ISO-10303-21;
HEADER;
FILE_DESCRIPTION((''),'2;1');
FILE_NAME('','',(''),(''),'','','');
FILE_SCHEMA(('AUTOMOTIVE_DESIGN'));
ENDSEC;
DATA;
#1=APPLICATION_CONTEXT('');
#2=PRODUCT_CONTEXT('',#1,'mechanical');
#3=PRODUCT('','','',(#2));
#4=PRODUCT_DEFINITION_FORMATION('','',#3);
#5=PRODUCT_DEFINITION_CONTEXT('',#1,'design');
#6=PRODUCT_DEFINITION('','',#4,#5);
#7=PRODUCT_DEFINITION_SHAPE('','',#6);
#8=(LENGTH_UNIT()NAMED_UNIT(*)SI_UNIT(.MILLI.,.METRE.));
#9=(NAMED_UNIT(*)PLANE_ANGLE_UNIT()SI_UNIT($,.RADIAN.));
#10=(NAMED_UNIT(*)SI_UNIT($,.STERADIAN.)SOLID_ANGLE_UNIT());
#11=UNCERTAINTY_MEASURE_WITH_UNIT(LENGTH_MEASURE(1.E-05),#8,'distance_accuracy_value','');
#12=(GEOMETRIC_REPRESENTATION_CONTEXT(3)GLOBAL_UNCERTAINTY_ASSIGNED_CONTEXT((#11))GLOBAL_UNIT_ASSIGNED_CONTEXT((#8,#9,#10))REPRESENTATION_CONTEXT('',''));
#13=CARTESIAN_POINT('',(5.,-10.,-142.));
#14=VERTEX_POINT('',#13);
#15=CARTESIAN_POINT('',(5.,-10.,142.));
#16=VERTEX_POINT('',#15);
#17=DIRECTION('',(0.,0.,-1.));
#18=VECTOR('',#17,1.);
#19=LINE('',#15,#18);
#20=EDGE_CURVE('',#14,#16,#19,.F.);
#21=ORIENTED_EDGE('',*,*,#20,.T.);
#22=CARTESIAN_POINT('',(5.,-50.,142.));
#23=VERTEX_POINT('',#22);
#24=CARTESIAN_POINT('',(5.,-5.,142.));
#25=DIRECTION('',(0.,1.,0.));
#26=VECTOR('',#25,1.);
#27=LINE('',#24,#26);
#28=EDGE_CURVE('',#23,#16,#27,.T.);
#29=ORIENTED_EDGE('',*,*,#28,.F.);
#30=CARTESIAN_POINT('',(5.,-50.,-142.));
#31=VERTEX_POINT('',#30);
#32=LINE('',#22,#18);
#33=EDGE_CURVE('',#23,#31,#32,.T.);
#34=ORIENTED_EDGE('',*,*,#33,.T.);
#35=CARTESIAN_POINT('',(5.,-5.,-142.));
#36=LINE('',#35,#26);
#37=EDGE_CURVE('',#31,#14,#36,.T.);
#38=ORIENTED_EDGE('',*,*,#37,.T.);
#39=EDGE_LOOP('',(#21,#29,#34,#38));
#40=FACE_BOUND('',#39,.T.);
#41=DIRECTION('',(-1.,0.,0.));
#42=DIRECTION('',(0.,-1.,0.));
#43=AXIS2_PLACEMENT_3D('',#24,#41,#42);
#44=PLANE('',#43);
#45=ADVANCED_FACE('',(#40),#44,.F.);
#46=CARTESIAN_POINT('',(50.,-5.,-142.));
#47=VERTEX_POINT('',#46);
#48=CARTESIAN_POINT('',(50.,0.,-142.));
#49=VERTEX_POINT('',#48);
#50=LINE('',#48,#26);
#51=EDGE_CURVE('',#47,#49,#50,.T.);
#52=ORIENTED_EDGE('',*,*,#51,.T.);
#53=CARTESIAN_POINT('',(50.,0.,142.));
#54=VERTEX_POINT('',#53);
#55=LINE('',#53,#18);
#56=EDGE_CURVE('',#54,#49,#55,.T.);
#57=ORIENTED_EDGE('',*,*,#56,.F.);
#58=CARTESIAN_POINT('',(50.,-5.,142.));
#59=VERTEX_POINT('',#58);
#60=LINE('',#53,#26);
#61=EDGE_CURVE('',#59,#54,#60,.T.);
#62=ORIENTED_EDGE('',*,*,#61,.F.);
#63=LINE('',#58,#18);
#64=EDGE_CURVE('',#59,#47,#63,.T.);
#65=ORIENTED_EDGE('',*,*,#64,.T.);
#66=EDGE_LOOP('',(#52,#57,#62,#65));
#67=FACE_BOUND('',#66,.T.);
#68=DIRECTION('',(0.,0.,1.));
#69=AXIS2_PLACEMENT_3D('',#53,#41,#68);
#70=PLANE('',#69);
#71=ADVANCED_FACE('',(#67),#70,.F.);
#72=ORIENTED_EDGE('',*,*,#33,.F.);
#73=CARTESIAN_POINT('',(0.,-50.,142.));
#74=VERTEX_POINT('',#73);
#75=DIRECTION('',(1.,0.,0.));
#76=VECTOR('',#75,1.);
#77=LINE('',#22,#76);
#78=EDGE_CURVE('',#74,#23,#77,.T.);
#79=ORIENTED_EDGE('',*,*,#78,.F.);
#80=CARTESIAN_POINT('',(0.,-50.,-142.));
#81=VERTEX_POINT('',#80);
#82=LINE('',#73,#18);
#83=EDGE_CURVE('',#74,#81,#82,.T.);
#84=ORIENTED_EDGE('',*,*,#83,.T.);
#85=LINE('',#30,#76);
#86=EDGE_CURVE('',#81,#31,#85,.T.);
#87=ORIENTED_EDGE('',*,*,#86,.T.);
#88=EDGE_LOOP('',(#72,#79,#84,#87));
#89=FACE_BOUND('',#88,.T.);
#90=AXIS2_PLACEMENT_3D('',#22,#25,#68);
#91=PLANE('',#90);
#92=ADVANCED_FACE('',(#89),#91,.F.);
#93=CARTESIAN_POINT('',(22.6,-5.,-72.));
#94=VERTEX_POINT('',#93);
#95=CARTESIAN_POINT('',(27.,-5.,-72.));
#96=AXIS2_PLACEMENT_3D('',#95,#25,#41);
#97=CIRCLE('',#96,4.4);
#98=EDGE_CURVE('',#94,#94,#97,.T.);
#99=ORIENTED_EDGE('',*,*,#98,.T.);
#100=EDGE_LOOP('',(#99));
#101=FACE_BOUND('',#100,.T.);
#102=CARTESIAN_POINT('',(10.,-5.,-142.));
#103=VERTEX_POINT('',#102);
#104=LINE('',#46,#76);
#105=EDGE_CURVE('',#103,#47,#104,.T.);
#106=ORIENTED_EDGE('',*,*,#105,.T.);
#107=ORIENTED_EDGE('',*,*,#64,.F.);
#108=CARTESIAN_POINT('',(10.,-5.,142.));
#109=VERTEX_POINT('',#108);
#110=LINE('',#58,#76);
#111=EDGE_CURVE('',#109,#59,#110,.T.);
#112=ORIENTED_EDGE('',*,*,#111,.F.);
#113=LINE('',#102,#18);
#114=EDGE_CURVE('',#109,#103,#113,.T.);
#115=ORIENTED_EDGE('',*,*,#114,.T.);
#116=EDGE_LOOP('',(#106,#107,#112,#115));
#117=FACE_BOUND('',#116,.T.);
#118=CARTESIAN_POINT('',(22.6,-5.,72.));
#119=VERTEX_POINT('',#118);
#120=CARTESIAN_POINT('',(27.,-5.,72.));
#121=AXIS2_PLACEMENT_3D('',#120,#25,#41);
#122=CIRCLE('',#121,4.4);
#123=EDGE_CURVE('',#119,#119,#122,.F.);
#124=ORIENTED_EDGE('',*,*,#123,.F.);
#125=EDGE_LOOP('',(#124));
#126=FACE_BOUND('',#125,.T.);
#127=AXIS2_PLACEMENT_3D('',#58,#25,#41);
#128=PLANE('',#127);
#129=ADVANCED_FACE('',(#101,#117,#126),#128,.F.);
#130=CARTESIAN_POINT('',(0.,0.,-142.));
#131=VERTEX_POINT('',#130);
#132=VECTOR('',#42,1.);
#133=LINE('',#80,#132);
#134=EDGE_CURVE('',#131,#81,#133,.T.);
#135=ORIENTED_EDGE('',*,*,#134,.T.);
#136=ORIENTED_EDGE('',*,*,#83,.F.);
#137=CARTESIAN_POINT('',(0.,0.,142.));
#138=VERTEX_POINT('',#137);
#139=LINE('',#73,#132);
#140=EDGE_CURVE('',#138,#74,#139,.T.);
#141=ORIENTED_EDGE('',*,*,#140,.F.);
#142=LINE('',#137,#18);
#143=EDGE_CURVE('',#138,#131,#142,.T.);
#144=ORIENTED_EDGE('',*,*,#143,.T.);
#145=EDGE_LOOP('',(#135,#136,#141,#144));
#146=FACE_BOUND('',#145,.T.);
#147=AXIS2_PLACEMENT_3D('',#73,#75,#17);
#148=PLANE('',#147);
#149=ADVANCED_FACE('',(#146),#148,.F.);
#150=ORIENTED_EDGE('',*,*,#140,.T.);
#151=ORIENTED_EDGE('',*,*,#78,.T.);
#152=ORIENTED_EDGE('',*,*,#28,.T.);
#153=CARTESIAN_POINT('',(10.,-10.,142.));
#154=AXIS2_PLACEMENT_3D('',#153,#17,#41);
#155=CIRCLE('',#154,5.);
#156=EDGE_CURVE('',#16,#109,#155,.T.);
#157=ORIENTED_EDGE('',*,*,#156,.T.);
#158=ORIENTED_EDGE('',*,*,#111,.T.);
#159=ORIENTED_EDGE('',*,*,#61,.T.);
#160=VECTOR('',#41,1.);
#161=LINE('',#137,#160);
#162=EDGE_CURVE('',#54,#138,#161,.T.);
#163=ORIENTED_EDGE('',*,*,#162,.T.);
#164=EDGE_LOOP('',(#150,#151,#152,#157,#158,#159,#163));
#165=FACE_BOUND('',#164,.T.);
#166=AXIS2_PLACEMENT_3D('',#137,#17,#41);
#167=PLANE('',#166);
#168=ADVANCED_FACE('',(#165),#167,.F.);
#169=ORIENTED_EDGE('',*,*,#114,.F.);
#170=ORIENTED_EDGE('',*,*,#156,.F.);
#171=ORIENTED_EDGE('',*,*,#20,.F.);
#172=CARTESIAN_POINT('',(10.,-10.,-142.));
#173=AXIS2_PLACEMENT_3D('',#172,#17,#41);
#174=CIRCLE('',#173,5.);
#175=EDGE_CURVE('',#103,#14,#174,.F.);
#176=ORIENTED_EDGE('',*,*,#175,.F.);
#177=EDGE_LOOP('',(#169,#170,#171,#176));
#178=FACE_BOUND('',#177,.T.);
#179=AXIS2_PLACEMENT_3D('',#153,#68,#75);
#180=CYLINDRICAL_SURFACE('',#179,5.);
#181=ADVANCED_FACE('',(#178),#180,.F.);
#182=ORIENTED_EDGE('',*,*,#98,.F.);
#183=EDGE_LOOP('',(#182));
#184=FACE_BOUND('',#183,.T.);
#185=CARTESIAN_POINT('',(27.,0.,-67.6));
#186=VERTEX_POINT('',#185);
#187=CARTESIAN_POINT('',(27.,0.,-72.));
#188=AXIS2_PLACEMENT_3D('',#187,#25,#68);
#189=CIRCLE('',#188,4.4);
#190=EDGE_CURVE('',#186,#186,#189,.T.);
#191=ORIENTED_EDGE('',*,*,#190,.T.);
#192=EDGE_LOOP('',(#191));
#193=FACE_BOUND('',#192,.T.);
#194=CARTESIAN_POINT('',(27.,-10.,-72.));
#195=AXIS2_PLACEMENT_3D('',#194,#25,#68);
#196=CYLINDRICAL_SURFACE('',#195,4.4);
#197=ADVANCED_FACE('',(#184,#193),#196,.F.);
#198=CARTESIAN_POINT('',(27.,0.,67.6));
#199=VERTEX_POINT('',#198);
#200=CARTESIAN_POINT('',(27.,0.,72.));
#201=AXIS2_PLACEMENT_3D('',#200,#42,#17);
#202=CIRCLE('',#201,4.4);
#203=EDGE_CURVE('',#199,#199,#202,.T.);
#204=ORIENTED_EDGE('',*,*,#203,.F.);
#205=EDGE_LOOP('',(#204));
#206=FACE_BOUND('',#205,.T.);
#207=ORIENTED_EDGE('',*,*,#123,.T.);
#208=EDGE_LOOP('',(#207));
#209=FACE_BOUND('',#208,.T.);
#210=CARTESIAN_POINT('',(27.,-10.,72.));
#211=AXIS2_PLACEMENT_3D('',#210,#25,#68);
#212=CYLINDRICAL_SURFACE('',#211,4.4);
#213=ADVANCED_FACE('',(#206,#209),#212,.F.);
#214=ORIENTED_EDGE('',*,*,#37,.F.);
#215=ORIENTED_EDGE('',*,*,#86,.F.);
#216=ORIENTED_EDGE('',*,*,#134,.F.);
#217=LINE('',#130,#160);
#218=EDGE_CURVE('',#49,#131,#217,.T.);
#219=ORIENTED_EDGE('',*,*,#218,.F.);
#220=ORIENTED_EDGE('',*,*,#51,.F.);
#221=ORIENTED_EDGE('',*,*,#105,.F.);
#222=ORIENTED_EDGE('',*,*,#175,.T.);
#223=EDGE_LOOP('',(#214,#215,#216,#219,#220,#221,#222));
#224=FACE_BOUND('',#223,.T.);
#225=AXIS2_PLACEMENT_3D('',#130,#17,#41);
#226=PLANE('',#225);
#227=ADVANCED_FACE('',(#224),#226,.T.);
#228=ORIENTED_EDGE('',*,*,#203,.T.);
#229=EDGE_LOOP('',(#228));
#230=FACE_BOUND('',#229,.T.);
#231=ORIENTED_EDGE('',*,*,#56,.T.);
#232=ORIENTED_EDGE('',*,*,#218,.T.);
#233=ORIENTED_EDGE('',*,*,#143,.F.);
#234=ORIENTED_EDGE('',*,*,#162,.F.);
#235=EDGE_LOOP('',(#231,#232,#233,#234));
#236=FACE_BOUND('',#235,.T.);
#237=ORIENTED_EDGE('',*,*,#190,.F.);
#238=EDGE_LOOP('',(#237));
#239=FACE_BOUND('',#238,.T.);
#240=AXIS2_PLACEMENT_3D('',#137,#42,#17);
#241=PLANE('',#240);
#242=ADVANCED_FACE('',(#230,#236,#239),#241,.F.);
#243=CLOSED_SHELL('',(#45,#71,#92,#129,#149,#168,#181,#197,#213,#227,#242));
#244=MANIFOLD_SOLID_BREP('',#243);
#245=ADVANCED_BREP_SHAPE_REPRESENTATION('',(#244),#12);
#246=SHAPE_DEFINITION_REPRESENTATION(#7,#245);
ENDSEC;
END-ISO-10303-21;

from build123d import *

# Parameters (mm, degrees)
EXTRUDE_1_DEPTH     = 142
FILLET_1_R          = 5
SKETCH_2_R          = 4.4
CUT_EXTRUDE_1_DEPTH = 10


with BuildPart() as part:
    # Эскиз1 → Бобышка-Вытянуть1 (new, symmetric)
    with BuildSketch(Plane.XY):
        Polygon((0, 0), (50, 0), (50, -5), (5, -5), (5, -50), (0, -50), align=None)
    extrude(amount=EXTRUDE_1_DEPTH, both=True)

    # Скругление1
    fillet_1_edges = [part.edges().sort_by_distance(p)[0] for p in [
        (5, -5, 0),
    ]]
    fillet(fillet_1_edges, radius=FILLET_1_R)

    # Эскиз2 → Вырез-Вытянуть1 (cut)
    with BuildSketch(Plane(origin=(0, 0, 0), x_dir=(1, 0, 0), z_dir=(0, 1, 0))):
        with Locations(Location((27, 72, 0), (0, 0, 270))):
            Circle(SKETCH_2_R)
    cut_extrude_1 = extrude(amount=-CUT_EXTRUDE_1_DEPTH, mode=Mode.SUBTRACT)

    # Зеркальное отражение1: Вырез-Вытянуть1 across plane
    add(cut_extrude_1.mirror(Plane.XY), mode=Mode.SUBTRACT)


solid = part.part
